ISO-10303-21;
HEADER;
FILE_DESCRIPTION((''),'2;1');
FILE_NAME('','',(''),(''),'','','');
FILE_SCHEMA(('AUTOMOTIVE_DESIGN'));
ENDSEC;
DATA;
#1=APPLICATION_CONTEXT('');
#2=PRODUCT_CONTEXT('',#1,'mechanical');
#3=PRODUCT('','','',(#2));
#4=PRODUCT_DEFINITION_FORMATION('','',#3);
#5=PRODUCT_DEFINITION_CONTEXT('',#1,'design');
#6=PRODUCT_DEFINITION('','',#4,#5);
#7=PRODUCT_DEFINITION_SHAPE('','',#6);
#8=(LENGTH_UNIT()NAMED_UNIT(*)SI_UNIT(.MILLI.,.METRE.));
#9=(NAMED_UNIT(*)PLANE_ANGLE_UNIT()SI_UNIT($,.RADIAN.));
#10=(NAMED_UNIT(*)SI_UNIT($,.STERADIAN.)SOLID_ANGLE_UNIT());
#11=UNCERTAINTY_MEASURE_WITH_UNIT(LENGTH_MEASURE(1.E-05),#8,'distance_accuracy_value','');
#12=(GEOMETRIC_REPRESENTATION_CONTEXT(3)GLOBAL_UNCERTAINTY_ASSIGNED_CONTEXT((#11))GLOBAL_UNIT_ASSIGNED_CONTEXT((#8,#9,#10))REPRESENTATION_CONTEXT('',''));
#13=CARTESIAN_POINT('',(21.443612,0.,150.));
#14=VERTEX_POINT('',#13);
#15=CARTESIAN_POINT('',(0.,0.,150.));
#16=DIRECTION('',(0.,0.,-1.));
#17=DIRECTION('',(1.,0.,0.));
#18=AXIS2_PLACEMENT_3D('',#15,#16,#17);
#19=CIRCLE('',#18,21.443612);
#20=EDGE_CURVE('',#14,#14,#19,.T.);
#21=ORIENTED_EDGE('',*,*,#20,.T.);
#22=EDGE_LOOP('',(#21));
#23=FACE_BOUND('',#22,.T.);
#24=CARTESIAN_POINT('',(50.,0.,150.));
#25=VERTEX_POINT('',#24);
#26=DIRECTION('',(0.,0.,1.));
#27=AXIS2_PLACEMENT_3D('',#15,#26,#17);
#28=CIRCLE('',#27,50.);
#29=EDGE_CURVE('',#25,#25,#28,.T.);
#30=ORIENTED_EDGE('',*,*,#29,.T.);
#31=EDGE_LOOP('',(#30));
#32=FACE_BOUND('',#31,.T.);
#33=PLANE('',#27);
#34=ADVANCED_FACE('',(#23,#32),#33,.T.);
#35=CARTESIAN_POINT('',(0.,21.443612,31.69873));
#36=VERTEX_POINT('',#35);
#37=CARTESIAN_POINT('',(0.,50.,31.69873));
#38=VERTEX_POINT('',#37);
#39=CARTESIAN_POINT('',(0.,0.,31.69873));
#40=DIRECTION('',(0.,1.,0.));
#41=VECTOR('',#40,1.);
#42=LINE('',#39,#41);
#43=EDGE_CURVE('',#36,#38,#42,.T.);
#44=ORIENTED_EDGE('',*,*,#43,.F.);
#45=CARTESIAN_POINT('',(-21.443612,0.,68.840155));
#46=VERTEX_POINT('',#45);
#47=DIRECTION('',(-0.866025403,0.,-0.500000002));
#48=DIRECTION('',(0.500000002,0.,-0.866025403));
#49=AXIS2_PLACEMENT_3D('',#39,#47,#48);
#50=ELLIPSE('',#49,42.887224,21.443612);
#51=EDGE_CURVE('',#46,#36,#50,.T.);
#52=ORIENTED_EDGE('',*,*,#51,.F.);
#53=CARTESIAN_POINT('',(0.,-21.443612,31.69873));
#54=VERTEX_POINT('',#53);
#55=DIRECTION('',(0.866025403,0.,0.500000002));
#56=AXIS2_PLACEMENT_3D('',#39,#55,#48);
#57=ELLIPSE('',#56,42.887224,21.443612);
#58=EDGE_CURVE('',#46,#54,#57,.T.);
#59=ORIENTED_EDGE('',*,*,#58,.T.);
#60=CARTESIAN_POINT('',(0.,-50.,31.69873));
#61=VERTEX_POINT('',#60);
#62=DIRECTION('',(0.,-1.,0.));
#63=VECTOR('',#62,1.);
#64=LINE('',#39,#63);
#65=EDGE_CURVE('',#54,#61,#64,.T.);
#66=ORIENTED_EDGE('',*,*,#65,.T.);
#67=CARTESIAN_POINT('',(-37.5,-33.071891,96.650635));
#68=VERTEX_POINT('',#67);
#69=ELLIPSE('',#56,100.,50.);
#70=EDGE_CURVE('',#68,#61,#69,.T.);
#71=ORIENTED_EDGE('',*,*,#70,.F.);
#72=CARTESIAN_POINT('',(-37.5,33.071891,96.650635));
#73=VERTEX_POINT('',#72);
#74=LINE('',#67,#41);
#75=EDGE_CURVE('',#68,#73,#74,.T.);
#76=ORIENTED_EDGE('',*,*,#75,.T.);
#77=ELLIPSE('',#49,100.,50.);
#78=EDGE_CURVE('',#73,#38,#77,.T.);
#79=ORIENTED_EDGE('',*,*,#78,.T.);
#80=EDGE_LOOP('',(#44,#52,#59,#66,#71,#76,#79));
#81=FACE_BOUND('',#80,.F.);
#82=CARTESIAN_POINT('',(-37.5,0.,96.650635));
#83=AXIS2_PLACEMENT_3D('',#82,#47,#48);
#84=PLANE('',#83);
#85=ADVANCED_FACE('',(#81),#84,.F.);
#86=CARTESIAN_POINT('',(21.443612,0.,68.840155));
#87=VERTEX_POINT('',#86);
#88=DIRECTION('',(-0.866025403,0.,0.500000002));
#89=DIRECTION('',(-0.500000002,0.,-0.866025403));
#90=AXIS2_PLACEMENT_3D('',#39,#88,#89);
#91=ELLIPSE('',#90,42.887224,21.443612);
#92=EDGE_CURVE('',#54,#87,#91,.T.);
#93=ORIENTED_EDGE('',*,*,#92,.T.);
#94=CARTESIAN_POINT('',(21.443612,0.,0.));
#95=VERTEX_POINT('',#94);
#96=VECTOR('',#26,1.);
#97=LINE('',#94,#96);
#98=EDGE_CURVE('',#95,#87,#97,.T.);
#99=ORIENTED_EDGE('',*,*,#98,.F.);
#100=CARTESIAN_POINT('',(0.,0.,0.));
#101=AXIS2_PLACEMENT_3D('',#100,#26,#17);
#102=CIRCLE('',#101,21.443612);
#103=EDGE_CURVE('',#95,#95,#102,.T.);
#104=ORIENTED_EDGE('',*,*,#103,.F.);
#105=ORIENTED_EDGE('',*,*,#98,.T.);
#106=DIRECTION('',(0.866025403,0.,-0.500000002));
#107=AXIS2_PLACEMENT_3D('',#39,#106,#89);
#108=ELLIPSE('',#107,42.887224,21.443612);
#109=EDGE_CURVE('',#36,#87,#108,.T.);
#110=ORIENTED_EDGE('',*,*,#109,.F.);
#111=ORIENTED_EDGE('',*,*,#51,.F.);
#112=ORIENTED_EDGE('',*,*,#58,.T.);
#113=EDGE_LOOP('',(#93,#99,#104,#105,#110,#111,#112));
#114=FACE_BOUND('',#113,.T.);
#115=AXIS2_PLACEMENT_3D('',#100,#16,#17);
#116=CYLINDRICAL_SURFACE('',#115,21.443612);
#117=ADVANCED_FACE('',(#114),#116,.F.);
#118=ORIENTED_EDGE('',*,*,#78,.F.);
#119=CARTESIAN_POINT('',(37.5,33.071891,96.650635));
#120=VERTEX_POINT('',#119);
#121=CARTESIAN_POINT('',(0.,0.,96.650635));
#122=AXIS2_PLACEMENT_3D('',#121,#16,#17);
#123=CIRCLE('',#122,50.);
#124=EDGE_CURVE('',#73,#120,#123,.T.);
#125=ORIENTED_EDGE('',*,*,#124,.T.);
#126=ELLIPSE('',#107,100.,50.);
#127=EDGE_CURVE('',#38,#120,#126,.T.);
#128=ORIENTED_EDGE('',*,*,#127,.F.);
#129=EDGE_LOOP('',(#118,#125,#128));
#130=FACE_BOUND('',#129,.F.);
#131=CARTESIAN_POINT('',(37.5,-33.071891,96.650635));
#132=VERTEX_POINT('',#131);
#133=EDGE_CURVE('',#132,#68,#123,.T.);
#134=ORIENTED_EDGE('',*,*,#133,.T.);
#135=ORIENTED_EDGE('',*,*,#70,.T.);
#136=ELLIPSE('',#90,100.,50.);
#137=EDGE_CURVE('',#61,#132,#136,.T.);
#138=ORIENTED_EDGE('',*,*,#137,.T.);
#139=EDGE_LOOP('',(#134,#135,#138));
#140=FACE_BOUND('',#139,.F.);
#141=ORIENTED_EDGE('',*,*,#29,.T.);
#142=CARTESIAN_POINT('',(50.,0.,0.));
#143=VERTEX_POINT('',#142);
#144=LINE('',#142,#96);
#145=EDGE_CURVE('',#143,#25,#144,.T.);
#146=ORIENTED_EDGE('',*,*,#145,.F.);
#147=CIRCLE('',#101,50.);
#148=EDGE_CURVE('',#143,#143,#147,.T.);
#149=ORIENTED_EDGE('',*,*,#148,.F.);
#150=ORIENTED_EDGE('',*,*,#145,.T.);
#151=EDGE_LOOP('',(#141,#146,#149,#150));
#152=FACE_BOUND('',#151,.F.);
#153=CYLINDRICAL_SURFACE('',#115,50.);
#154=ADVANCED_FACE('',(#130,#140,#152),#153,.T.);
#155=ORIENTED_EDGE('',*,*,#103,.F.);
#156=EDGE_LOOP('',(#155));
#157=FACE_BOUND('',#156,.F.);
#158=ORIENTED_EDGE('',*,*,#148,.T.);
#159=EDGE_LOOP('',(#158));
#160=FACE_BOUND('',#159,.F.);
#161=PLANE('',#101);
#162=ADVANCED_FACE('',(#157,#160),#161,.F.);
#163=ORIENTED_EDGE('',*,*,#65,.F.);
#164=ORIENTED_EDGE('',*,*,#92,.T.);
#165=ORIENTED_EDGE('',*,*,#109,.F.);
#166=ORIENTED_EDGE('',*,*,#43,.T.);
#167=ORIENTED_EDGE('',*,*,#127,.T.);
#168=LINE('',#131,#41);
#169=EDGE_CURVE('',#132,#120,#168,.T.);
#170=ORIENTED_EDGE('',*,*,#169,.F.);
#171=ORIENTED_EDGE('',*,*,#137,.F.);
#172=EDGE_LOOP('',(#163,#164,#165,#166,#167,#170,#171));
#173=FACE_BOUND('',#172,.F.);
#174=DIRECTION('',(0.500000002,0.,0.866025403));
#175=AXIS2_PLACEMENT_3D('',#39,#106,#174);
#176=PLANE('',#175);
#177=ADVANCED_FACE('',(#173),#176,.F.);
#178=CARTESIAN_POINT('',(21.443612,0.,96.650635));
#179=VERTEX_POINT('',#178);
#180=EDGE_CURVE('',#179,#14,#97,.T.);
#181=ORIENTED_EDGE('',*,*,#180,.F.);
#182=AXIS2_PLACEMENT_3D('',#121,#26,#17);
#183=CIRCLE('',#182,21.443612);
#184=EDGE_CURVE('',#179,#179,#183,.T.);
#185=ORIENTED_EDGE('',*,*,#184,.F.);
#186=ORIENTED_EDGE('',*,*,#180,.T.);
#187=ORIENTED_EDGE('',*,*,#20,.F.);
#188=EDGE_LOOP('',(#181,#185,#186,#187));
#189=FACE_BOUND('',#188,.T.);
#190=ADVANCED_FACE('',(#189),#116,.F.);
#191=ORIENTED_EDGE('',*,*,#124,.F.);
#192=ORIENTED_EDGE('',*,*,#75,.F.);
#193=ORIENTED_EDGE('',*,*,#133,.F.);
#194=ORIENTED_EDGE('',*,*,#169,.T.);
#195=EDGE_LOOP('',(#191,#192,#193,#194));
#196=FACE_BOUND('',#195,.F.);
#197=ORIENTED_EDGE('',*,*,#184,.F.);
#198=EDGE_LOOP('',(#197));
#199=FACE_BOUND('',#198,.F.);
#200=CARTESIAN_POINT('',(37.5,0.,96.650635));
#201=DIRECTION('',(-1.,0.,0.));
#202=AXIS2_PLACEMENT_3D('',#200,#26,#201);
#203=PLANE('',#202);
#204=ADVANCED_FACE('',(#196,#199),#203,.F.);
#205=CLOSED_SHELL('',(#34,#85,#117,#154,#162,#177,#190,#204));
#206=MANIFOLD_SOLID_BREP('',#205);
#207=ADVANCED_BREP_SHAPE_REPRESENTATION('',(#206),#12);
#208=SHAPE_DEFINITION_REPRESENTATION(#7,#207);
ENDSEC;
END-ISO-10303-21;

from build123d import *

# Parameters (mm, degrees)
F0_R     = 50
F1_DEPTH = 150
F2_R     = 21.443612
F3_DEPTH = 150.001
F5_DEPTH = 50.001
F6_DEPTH = 50.001


with BuildPart() as f1:
    # F0 (on Top) → F1 (new body)
    with BuildSketch(Plane.XY):
        Circle(F0_R)
    extrude(amount=F1_DEPTH)

    # F2 (on Top) → F3 (cut, through all)
    with BuildSketch(Plane.XY):
        Circle(F2_R)
    extrude(amount=F3_DEPTH, mode=Mode.SUBTRACT)

    # F4 (on Front) → F5 (cut, through all)
    with BuildSketch(Plane.XZ):
        Polygon((0, 96.650635), (0, 31.69873), (37.5, 96.650635), align=None)
        Polygon((-37.5, 96.650635), (0, 31.69873), (0, 96.650635), align=None)
    extrude(amount=F5_DEPTH, mode=Mode.SUBTRACT)

    # F4 (on Front) → F6 (cut, through all)
    with BuildSketch(Plane.XZ):
        Polygon((0, 96.650635), (0, 31.69873), (37.5, 96.650635), align=None)
        Polygon((-37.5, 96.650635), (0, 31.69873), (0, 96.650635), align=None)
    extrude(amount=-F6_DEPTH, mode=Mode.SUBTRACT)


solid = f1.part
